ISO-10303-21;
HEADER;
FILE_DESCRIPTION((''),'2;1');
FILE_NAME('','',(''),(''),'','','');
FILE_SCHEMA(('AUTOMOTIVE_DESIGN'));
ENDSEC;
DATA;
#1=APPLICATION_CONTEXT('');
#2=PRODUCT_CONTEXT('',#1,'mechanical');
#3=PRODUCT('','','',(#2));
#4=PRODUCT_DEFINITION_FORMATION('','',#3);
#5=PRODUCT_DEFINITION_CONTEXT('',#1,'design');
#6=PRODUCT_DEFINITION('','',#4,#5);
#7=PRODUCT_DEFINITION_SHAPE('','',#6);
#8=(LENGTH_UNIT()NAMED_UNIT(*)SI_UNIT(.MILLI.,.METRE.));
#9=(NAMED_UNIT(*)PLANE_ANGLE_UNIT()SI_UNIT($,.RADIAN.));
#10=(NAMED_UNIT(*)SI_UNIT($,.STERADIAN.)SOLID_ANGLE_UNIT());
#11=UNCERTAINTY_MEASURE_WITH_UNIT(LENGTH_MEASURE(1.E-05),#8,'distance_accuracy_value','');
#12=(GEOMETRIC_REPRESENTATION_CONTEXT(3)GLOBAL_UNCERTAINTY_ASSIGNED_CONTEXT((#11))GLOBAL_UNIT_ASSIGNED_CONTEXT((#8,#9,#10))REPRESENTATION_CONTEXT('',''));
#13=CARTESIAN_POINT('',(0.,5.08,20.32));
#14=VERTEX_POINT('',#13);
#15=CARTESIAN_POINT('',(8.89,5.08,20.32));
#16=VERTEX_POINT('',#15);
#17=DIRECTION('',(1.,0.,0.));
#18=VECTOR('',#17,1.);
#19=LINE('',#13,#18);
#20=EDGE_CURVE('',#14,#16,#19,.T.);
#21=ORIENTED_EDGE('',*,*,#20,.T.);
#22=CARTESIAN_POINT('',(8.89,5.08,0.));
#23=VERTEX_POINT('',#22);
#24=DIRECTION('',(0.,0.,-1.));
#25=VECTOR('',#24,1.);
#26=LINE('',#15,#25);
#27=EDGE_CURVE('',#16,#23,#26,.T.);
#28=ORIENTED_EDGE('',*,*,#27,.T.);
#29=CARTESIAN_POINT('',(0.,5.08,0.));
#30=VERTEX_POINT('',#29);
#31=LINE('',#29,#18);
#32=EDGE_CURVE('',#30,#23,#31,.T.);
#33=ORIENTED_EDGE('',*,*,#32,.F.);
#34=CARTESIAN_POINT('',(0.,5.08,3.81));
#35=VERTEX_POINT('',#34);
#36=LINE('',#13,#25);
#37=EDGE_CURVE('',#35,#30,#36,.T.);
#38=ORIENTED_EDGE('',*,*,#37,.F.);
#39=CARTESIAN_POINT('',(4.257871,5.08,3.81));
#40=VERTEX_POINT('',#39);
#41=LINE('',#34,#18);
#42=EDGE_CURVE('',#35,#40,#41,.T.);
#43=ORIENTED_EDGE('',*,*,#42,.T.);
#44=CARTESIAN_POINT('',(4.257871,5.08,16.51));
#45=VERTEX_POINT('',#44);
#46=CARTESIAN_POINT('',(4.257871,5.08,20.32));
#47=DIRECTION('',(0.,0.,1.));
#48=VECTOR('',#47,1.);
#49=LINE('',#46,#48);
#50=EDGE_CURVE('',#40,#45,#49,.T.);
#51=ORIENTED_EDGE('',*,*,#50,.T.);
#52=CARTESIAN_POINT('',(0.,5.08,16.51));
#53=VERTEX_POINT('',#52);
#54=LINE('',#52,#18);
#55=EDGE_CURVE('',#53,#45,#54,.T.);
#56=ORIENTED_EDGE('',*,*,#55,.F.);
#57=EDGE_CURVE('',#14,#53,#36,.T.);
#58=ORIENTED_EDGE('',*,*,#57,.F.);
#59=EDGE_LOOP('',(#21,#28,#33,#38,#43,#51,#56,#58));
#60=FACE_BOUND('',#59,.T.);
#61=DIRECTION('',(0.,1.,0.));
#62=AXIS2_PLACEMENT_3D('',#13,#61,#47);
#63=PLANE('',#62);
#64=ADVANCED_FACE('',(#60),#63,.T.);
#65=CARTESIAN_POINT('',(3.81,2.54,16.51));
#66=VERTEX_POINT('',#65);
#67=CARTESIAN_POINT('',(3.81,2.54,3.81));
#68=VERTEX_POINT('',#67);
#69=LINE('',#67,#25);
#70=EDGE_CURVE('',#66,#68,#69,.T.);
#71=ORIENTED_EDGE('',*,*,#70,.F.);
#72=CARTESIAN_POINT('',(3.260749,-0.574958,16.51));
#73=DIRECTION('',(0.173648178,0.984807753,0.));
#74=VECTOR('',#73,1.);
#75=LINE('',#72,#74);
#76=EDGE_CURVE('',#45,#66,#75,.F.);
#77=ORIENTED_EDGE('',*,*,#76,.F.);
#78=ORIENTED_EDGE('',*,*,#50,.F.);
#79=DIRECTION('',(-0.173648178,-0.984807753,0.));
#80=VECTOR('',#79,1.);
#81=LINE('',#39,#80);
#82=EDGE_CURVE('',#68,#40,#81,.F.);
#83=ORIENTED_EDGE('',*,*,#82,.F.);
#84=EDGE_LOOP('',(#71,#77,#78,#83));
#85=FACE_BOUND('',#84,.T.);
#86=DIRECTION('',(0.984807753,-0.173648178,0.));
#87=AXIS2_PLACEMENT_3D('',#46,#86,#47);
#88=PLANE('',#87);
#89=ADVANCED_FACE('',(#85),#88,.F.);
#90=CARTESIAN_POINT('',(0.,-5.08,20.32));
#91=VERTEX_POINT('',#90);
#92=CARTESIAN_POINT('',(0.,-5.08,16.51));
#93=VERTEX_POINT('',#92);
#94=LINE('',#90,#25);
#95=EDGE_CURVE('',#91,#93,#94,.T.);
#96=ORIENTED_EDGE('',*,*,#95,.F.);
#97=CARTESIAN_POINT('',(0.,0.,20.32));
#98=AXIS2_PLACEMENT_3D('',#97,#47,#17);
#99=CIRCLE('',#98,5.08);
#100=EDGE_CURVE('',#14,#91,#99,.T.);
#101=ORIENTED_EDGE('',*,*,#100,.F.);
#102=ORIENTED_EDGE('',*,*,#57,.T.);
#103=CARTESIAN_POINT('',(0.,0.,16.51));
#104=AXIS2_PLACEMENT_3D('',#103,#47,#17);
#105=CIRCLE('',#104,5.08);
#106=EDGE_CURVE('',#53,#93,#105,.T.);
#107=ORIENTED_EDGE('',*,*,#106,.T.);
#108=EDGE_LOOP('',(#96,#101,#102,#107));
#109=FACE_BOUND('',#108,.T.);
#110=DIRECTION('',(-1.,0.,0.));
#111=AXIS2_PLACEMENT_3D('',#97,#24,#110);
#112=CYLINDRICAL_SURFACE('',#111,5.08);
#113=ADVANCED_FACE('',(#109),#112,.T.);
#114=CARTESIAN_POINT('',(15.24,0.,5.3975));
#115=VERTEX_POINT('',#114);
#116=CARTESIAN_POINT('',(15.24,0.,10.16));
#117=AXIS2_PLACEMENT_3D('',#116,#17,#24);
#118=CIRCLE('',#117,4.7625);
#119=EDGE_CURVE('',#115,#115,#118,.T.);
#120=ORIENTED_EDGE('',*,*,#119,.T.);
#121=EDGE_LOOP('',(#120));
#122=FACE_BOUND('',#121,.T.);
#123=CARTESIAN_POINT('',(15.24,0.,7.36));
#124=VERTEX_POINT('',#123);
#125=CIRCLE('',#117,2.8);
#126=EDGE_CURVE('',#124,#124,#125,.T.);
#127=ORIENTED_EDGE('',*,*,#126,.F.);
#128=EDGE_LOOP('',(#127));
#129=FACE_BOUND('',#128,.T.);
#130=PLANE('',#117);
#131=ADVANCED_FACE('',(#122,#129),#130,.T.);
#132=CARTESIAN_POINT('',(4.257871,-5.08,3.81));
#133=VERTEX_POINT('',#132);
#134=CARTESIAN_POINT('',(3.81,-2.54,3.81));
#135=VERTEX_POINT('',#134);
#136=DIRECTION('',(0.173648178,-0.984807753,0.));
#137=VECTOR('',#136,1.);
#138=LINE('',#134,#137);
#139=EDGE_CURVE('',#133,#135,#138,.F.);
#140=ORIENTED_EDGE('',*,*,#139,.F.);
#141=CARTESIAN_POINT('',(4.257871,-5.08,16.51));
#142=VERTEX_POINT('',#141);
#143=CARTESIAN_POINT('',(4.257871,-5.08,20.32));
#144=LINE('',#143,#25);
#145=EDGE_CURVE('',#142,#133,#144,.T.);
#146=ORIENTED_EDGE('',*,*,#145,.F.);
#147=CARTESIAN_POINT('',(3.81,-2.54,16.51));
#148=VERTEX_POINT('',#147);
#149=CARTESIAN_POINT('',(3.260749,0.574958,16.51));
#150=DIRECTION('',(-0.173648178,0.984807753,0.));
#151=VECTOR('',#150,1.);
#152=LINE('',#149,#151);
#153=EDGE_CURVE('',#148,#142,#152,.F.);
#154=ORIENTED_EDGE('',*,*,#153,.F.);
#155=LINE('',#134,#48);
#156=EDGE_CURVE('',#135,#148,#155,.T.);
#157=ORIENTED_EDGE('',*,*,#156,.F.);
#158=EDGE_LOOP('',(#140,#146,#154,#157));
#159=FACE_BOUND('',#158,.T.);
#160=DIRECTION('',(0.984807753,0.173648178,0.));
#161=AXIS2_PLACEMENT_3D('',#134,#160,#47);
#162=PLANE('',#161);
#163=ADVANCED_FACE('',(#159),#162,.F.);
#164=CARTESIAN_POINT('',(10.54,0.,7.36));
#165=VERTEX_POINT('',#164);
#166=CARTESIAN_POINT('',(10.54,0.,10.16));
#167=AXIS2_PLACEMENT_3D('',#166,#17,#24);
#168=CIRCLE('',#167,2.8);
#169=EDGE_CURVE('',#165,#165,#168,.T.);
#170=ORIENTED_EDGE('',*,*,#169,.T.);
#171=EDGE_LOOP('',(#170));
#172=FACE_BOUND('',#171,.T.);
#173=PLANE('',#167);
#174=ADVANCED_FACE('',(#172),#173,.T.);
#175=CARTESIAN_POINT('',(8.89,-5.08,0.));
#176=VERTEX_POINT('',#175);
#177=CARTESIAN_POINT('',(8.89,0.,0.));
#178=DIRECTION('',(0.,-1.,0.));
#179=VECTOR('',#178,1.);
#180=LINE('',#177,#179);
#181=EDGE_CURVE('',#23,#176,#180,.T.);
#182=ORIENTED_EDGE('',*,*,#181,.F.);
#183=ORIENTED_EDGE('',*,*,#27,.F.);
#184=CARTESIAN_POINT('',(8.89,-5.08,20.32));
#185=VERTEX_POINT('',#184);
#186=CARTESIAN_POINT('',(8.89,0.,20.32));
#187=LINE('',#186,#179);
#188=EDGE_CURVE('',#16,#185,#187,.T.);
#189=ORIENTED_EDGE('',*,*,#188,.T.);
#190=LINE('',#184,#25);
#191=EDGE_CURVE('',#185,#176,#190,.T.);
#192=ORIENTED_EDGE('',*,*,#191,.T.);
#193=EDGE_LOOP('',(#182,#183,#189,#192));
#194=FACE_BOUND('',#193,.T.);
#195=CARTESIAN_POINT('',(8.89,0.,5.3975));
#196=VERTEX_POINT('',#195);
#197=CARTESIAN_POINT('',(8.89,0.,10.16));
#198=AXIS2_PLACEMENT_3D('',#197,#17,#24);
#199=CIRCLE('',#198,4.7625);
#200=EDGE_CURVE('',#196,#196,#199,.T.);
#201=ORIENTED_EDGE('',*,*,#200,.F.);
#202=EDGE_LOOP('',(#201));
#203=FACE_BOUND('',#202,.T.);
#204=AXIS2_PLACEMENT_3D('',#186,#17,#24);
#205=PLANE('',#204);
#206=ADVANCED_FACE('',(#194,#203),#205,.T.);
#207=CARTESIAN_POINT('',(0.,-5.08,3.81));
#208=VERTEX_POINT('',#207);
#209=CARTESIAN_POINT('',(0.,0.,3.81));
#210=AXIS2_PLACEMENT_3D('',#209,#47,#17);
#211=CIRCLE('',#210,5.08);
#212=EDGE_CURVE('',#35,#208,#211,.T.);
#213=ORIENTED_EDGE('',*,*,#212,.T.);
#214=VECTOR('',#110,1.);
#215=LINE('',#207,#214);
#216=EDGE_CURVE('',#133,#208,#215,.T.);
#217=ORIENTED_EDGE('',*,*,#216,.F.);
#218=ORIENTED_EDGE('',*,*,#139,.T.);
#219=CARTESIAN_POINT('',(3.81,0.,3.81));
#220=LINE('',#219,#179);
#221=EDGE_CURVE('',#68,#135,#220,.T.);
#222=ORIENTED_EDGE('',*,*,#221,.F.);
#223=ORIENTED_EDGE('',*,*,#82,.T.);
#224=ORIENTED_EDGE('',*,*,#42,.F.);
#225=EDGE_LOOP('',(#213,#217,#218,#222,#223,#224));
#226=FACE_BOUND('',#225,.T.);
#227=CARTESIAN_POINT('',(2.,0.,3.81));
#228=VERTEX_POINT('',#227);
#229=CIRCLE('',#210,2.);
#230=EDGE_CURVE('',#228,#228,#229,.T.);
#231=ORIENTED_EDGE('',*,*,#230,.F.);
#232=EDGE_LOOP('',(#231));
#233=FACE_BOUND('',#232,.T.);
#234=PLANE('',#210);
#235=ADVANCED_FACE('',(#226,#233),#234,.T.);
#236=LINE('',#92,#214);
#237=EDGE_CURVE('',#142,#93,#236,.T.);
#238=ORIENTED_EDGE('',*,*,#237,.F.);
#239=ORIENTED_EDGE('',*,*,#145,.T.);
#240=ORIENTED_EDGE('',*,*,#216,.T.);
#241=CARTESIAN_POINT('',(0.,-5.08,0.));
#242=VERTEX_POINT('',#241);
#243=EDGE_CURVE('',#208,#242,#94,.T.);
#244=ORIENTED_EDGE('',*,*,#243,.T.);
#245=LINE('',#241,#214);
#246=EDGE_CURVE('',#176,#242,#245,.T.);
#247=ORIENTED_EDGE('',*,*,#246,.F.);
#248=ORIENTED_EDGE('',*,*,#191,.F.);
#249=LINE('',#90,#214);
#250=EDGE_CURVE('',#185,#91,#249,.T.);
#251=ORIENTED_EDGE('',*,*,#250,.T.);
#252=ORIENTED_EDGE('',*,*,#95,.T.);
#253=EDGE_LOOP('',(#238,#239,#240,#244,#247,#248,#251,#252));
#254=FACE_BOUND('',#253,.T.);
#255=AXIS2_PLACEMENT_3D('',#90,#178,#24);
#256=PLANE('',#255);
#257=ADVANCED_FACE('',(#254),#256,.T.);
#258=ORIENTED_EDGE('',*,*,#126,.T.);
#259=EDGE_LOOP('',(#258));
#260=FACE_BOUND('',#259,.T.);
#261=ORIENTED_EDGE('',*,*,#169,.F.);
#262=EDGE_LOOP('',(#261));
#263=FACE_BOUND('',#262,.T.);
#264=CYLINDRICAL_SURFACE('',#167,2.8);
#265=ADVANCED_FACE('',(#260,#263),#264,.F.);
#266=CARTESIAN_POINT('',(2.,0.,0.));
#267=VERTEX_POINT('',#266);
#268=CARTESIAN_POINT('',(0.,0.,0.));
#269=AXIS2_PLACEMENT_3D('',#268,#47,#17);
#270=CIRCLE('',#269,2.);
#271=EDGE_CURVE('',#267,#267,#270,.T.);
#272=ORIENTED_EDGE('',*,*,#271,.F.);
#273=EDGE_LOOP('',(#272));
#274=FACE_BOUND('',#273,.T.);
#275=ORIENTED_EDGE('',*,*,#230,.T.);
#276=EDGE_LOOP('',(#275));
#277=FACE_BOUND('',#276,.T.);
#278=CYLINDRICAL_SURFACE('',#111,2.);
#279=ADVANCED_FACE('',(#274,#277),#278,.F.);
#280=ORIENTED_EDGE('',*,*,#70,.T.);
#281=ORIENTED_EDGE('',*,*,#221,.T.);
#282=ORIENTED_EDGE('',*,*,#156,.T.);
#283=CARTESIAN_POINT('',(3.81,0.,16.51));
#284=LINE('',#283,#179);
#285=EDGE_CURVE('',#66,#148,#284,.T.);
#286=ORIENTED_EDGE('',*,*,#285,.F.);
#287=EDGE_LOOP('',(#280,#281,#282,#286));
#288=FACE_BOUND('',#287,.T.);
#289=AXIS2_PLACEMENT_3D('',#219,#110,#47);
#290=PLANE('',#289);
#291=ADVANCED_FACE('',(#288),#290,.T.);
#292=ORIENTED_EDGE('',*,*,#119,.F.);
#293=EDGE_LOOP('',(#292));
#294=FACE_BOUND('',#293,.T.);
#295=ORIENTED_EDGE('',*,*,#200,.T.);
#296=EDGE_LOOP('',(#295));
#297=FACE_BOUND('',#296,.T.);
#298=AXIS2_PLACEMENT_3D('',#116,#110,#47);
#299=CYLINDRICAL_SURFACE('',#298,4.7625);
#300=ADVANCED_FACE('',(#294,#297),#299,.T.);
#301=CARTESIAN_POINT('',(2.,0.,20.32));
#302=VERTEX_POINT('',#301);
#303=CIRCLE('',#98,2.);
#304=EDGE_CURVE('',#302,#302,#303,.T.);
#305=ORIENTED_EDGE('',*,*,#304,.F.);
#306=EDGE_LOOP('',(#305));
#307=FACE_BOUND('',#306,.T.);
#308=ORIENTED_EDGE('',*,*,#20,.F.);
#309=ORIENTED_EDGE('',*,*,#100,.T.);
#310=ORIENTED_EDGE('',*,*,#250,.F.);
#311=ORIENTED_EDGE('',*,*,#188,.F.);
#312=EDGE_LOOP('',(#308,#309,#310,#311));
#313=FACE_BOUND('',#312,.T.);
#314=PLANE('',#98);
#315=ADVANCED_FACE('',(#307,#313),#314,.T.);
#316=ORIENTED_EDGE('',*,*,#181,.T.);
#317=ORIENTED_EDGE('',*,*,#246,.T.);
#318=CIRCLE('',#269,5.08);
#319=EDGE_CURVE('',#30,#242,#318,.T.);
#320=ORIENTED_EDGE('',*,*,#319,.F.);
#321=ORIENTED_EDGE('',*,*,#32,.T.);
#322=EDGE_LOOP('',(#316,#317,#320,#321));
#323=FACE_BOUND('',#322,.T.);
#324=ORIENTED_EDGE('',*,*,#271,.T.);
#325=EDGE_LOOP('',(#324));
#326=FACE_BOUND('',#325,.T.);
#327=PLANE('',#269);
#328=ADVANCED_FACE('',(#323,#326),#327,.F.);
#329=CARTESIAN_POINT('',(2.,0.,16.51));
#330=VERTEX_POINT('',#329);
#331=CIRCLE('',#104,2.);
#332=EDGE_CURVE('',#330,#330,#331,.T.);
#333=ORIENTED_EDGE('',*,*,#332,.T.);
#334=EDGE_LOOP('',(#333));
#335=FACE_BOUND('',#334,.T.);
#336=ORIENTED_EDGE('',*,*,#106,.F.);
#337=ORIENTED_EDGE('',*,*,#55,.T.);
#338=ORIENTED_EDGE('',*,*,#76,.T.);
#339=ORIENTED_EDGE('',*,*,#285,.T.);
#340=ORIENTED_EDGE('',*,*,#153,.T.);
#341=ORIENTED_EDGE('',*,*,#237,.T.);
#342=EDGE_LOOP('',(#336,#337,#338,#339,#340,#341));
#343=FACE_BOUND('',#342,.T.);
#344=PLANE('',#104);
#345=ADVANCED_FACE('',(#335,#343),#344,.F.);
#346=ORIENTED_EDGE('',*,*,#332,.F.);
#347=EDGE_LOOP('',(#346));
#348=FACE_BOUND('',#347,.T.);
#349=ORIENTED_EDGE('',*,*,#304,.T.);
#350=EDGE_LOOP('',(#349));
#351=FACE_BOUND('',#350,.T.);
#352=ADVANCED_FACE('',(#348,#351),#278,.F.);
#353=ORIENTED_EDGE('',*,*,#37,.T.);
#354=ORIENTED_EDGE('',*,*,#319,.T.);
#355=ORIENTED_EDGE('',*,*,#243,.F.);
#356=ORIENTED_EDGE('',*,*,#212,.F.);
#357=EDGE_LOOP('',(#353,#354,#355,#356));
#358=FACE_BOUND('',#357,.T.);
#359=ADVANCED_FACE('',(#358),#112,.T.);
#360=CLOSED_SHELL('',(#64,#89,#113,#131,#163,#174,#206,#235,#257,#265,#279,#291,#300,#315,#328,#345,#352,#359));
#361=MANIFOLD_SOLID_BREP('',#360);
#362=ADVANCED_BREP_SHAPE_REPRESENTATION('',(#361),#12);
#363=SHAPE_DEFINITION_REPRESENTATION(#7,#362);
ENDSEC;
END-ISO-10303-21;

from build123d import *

# Parameters (mm, degrees)
SKETCH2_R           = 2
BOSS_EXTRUDE1_DEPTH = 20.32
SKETCH3_R           = 2
CUT_EXTRUDE1_DEPTH  = 6.35
SKETCH4_R           = 4.7625
BOSS_EXTRUDE2_DEPTH = 6.35
SKETCH5_R           = 2.8
CUT_EXTRUDE2_DEPTH  = 4.7
CHAMFER2_SIZE       = 2.54
CHAMFER2_SIZE2      = 0.447870531


with BuildPart() as part:
    # Sketch2 → Boss-Extrude1 (new body)
    with BuildSketch(Plane.XY):
        with BuildLine():
            ThreePointArc((0, 5.08), (-5.08, 0), (0, -5.08))
            Line((0, -5.08), (8.89, -5.08))
            Line((8.89, -5.08), (8.89, 5.08))
            Line((8.89, 5.08), (0, 5.08))
        make_face()
        Circle(SKETCH2_R, mode=Mode.SUBTRACT)
    extrude(amount=BOSS_EXTRUDE1_DEPTH)

    # Sketch3 → Cut-Extrude1 (cut, symmetric)
    with BuildSketch(Plane.XY.offset(10.16)):
        with BuildLine():
            ThreePointArc((0, 5.08), (-5.08, 0), (0, -5.08))
            ThreePointArc((0, -5.08), (2.090104165, -4.630104165), (3.81, -3.360104165))
            Line((3.81, -3.360104165), (3.81, 3.360104165))
            ThreePointArc((3.81, 3.360104165), (2.090104165, 4.630104165), (0, 5.08))
        make_face()
        Circle(SKETCH3_R, mode=Mode.SUBTRACT)
        with BuildLine():
            Line((3.81, 5.08), (0, 5.08))
            ThreePointArc((0, 5.08), (2.090104165, 4.630104165), (3.81, 3.360104165))
            Line((3.81, 3.360104165), (3.81, 5.08))
        make_face()
        with BuildLine():
            Line((0, -5.08), (3.81, -5.08))
            Line((3.81, -5.08), (3.81, -3.360104165))
            ThreePointArc((3.81, -3.360104165), (2.090104165, -4.630104165), (0, -5.08))
        make_face()
    extrude(amount=CUT_EXTRUDE1_DEPTH, both=True, mode=Mode.SUBTRACT)

    # Sketch4 → Boss-Extrude2 (add)
    with BuildSketch(Plane(origin=(8.89, 0, 0), x_dir=(0, 0, -1), z_dir=(1, 0, 0))):
        with Locations((-10.16, 0)):
            Circle(SKETCH4_R)
    extrude(amount=BOSS_EXTRUDE2_DEPTH)

    # Sketch5 → Cut-Extrude2 (cut)
    with BuildSketch(Plane(origin=(15.24, 0, 0), x_dir=(0, 0, -1), z_dir=(1, 0, 0))):
        with Locations((-10.16, 0)):
            Circle(SKETCH5_R)
    extrude(amount=-CUT_EXTRUDE2_DEPTH, mode=Mode.SUBTRACT)

    # Chamfer2
    chamfer2_edges = [part.edges().sort_by_distance(p)[0] for p in [
        (3.81, 5.08, 10.16),
        (3.81, -5.08, 10.16),
    ]]
    chamfer2_side = [part.faces().sort_by_distance(p)[0] for p in [
        (3.81, 0, 10.16),
    ]]
    chamfer(chamfer2_edges, length=CHAMFER2_SIZE, length2=CHAMFER2_SIZE2, reference=chamfer2_side[0])


solid = part.part
